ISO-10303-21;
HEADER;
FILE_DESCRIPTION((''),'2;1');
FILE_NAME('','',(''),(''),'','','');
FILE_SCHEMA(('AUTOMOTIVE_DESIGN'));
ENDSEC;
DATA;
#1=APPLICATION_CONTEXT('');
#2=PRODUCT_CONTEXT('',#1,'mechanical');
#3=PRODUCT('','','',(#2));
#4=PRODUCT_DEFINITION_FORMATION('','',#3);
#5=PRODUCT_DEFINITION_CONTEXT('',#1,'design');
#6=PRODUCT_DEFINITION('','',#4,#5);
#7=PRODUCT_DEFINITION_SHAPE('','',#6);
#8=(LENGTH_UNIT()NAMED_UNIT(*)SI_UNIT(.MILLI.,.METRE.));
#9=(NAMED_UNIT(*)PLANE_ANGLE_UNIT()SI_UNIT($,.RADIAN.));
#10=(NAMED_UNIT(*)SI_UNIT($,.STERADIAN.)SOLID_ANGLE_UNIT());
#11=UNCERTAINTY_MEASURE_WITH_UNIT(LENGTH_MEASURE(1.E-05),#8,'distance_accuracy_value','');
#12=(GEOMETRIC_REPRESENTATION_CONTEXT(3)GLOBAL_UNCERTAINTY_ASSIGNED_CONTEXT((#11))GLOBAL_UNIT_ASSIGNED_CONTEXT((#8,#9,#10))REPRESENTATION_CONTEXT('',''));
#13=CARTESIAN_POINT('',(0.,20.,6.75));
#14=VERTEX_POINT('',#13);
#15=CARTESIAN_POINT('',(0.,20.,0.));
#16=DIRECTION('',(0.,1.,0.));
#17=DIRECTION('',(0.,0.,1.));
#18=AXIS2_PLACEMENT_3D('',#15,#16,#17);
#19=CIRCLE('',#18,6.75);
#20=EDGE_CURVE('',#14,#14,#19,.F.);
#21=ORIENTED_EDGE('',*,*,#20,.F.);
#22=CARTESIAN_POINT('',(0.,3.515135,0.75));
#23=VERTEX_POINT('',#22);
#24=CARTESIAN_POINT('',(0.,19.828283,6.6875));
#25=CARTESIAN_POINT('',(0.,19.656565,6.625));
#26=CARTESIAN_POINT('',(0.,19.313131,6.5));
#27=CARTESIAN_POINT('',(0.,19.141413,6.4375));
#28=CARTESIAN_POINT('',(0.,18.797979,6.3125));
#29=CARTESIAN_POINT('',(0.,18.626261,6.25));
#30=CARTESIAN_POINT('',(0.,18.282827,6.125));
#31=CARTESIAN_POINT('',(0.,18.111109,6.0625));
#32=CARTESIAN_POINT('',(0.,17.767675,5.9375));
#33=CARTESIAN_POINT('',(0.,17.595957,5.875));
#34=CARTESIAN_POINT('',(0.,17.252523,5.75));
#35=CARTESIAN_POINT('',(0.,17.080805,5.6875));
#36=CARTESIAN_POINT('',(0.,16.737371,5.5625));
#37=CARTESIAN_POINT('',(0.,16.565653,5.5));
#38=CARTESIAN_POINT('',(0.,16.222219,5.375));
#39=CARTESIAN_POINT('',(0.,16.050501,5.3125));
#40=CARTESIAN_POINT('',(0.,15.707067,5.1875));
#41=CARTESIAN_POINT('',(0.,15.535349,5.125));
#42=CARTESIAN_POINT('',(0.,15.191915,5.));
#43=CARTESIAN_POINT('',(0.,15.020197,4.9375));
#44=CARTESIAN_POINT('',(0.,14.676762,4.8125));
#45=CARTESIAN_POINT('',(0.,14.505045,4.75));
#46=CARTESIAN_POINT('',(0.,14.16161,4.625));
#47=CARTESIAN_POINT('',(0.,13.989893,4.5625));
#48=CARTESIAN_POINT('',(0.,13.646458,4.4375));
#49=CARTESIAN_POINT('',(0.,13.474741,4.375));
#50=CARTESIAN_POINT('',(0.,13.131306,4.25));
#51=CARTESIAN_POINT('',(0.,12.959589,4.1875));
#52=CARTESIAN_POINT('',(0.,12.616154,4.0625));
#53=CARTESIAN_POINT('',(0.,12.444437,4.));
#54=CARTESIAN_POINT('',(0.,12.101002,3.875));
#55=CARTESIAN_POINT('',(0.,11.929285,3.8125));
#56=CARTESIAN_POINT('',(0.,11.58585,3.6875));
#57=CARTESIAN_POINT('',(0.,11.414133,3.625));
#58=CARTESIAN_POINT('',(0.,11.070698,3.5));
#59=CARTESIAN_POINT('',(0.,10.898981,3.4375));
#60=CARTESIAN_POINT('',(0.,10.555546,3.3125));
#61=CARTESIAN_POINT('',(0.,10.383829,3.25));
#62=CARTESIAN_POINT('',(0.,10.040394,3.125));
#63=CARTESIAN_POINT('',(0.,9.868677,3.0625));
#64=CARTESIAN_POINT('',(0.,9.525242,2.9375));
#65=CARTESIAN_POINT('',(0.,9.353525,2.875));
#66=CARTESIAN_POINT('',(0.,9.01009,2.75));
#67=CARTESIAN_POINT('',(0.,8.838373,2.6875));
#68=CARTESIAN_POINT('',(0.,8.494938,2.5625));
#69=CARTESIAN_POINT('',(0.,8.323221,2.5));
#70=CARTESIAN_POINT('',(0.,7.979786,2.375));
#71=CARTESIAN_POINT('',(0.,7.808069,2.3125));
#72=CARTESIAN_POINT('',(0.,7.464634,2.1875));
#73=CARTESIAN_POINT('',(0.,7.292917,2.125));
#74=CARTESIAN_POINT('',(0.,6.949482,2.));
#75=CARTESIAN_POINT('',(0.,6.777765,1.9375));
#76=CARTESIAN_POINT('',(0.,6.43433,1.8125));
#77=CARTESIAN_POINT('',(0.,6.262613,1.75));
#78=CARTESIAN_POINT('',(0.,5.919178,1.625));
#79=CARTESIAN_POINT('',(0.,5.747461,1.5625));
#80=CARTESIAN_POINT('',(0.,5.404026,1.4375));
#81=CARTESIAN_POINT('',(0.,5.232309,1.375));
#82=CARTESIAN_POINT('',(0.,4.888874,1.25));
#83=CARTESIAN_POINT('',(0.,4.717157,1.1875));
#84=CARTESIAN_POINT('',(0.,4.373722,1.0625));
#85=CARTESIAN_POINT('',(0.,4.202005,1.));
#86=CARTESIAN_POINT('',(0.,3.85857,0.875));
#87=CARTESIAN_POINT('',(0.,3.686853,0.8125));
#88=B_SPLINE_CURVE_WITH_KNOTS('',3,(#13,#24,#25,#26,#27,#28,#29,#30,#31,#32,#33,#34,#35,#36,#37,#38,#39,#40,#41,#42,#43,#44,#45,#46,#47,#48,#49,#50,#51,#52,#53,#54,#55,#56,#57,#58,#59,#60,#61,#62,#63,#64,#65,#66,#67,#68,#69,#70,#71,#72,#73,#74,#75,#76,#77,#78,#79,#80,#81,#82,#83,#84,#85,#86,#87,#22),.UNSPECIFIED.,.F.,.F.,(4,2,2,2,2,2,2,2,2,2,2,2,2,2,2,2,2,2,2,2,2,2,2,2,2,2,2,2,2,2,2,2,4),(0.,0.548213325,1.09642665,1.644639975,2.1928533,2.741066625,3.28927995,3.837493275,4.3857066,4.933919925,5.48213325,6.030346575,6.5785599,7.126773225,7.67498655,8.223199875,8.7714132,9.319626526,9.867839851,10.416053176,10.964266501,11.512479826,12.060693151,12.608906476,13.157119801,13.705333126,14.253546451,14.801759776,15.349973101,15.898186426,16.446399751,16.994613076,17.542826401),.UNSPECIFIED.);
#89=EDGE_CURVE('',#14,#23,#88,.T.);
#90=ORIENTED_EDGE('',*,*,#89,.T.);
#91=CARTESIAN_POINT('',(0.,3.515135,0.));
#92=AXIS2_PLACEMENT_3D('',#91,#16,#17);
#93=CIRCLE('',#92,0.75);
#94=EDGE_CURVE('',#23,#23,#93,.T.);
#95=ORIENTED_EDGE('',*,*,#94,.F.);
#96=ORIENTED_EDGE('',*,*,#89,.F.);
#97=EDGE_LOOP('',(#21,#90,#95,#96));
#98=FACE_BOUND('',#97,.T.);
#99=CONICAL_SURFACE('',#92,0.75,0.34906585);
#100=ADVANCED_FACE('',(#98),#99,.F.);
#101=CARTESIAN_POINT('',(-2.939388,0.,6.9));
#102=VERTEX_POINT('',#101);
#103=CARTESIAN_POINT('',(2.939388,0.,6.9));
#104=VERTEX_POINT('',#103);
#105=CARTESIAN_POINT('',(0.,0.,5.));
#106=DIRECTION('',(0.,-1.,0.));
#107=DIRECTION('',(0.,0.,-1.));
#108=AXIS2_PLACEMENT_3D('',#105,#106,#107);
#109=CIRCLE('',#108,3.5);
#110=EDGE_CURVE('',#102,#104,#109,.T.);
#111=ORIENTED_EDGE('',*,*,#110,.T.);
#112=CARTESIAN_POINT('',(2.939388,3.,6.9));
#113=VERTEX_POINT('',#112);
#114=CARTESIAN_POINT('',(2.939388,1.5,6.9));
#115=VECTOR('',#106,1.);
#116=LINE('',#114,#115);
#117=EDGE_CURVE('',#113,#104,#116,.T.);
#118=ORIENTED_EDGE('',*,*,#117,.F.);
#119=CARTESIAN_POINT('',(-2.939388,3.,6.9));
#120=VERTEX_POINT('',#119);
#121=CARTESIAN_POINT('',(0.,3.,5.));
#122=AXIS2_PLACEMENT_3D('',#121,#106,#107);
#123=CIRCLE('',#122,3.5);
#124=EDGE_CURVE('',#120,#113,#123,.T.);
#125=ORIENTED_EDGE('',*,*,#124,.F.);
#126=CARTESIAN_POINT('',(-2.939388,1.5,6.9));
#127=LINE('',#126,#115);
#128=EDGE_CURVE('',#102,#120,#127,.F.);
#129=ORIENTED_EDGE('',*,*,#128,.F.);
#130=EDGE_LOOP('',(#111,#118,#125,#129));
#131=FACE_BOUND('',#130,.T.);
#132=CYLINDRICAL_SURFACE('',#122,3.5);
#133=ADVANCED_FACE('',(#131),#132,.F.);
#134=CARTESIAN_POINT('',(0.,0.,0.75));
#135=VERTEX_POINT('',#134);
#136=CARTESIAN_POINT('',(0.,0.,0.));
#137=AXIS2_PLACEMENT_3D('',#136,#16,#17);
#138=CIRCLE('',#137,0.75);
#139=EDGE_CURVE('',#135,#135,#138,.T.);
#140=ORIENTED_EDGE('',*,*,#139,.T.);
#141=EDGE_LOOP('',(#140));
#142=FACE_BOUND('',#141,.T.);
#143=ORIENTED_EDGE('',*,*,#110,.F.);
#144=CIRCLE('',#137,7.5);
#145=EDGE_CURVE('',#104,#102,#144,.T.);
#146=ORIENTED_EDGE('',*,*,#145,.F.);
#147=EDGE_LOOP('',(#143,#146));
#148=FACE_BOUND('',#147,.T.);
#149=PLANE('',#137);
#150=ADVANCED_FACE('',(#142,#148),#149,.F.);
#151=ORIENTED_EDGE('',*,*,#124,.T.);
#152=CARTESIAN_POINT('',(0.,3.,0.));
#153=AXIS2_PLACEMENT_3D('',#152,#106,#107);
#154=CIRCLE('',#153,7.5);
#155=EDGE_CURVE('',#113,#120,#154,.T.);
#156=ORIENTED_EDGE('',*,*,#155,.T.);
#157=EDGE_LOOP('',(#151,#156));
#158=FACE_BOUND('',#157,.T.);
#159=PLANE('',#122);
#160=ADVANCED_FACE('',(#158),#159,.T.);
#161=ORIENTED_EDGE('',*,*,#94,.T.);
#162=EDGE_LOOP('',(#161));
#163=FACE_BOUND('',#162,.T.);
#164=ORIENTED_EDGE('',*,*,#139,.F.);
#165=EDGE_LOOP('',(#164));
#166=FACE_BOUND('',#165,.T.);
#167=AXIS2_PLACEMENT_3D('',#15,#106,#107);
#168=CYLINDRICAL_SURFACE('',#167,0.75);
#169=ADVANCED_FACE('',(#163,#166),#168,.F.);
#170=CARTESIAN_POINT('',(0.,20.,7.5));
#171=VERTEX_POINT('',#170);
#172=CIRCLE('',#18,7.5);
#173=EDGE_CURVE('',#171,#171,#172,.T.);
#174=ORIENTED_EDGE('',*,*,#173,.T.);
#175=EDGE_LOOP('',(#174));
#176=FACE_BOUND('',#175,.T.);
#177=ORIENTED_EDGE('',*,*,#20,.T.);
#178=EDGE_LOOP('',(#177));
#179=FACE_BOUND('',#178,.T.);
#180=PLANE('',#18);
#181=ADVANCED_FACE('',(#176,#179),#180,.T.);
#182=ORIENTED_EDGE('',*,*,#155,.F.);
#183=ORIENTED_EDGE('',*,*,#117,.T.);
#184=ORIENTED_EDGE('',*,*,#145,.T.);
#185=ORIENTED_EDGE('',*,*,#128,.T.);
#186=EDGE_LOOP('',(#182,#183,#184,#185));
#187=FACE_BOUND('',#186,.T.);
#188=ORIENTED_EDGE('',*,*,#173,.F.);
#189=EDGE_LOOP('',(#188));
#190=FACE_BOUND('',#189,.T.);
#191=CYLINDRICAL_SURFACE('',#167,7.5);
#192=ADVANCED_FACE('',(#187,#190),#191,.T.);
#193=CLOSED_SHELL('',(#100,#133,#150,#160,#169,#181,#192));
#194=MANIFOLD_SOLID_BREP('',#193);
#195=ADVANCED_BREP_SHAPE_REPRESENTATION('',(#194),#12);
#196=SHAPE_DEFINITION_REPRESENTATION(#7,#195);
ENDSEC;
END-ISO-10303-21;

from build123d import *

# Parameters (mm, degrees)
SKETCH1_R           = 7.5
SKETCH1_R_2         = 0.75
BOSS_EXTRUDE1_DEPTH = 20
CHAMFER1_SIZE       = 6
CHAMFER1_SIZE2      = 16.484864517
SKETCH2_R           = 3.5
CUT_EXTRUDE1_DEPTH  = 3


with BuildPart() as part:
    # Sketch1 → Boss-Extrude1 (new body)
    with BuildSketch(Plane(origin=(0, 0, 0), x_dir=(1, 0, 0), z_dir=(0, 1, 0))):
        with Locations(Location((0, 0, 0), (0, 0, 270))):
            Circle(SKETCH1_R)
        with Locations(Location((0, 0, 0), (0, 0, 270))):
            Circle(SKETCH1_R_2, mode=Mode.SUBTRACT)
    extrude(amount=BOSS_EXTRUDE1_DEPTH)

    # Chamfer1
    chamfer1_edges = [part.edges().sort_by_distance(p)[0] for p in [
        (0, 20, -0.75),
    ]]
    chamfer1_side = [part.faces().sort_by_distance(p)[0] for p in [
        (0, 20, -7.287867966),
    ]]
    chamfer(chamfer1_edges, length=CHAMFER1_SIZE, length2=CHAMFER1_SIZE2, reference=chamfer1_side[0])

    # Sketch2 → Cut-Extrude1 (cut)
    with BuildSketch(Plane.XZ):
        with Locations((0, 5)):
            Circle(SKETCH2_R)
    extrude(amount=-CUT_EXTRUDE1_DEPTH, mode=Mode.SUBTRACT)


solid = part.part
